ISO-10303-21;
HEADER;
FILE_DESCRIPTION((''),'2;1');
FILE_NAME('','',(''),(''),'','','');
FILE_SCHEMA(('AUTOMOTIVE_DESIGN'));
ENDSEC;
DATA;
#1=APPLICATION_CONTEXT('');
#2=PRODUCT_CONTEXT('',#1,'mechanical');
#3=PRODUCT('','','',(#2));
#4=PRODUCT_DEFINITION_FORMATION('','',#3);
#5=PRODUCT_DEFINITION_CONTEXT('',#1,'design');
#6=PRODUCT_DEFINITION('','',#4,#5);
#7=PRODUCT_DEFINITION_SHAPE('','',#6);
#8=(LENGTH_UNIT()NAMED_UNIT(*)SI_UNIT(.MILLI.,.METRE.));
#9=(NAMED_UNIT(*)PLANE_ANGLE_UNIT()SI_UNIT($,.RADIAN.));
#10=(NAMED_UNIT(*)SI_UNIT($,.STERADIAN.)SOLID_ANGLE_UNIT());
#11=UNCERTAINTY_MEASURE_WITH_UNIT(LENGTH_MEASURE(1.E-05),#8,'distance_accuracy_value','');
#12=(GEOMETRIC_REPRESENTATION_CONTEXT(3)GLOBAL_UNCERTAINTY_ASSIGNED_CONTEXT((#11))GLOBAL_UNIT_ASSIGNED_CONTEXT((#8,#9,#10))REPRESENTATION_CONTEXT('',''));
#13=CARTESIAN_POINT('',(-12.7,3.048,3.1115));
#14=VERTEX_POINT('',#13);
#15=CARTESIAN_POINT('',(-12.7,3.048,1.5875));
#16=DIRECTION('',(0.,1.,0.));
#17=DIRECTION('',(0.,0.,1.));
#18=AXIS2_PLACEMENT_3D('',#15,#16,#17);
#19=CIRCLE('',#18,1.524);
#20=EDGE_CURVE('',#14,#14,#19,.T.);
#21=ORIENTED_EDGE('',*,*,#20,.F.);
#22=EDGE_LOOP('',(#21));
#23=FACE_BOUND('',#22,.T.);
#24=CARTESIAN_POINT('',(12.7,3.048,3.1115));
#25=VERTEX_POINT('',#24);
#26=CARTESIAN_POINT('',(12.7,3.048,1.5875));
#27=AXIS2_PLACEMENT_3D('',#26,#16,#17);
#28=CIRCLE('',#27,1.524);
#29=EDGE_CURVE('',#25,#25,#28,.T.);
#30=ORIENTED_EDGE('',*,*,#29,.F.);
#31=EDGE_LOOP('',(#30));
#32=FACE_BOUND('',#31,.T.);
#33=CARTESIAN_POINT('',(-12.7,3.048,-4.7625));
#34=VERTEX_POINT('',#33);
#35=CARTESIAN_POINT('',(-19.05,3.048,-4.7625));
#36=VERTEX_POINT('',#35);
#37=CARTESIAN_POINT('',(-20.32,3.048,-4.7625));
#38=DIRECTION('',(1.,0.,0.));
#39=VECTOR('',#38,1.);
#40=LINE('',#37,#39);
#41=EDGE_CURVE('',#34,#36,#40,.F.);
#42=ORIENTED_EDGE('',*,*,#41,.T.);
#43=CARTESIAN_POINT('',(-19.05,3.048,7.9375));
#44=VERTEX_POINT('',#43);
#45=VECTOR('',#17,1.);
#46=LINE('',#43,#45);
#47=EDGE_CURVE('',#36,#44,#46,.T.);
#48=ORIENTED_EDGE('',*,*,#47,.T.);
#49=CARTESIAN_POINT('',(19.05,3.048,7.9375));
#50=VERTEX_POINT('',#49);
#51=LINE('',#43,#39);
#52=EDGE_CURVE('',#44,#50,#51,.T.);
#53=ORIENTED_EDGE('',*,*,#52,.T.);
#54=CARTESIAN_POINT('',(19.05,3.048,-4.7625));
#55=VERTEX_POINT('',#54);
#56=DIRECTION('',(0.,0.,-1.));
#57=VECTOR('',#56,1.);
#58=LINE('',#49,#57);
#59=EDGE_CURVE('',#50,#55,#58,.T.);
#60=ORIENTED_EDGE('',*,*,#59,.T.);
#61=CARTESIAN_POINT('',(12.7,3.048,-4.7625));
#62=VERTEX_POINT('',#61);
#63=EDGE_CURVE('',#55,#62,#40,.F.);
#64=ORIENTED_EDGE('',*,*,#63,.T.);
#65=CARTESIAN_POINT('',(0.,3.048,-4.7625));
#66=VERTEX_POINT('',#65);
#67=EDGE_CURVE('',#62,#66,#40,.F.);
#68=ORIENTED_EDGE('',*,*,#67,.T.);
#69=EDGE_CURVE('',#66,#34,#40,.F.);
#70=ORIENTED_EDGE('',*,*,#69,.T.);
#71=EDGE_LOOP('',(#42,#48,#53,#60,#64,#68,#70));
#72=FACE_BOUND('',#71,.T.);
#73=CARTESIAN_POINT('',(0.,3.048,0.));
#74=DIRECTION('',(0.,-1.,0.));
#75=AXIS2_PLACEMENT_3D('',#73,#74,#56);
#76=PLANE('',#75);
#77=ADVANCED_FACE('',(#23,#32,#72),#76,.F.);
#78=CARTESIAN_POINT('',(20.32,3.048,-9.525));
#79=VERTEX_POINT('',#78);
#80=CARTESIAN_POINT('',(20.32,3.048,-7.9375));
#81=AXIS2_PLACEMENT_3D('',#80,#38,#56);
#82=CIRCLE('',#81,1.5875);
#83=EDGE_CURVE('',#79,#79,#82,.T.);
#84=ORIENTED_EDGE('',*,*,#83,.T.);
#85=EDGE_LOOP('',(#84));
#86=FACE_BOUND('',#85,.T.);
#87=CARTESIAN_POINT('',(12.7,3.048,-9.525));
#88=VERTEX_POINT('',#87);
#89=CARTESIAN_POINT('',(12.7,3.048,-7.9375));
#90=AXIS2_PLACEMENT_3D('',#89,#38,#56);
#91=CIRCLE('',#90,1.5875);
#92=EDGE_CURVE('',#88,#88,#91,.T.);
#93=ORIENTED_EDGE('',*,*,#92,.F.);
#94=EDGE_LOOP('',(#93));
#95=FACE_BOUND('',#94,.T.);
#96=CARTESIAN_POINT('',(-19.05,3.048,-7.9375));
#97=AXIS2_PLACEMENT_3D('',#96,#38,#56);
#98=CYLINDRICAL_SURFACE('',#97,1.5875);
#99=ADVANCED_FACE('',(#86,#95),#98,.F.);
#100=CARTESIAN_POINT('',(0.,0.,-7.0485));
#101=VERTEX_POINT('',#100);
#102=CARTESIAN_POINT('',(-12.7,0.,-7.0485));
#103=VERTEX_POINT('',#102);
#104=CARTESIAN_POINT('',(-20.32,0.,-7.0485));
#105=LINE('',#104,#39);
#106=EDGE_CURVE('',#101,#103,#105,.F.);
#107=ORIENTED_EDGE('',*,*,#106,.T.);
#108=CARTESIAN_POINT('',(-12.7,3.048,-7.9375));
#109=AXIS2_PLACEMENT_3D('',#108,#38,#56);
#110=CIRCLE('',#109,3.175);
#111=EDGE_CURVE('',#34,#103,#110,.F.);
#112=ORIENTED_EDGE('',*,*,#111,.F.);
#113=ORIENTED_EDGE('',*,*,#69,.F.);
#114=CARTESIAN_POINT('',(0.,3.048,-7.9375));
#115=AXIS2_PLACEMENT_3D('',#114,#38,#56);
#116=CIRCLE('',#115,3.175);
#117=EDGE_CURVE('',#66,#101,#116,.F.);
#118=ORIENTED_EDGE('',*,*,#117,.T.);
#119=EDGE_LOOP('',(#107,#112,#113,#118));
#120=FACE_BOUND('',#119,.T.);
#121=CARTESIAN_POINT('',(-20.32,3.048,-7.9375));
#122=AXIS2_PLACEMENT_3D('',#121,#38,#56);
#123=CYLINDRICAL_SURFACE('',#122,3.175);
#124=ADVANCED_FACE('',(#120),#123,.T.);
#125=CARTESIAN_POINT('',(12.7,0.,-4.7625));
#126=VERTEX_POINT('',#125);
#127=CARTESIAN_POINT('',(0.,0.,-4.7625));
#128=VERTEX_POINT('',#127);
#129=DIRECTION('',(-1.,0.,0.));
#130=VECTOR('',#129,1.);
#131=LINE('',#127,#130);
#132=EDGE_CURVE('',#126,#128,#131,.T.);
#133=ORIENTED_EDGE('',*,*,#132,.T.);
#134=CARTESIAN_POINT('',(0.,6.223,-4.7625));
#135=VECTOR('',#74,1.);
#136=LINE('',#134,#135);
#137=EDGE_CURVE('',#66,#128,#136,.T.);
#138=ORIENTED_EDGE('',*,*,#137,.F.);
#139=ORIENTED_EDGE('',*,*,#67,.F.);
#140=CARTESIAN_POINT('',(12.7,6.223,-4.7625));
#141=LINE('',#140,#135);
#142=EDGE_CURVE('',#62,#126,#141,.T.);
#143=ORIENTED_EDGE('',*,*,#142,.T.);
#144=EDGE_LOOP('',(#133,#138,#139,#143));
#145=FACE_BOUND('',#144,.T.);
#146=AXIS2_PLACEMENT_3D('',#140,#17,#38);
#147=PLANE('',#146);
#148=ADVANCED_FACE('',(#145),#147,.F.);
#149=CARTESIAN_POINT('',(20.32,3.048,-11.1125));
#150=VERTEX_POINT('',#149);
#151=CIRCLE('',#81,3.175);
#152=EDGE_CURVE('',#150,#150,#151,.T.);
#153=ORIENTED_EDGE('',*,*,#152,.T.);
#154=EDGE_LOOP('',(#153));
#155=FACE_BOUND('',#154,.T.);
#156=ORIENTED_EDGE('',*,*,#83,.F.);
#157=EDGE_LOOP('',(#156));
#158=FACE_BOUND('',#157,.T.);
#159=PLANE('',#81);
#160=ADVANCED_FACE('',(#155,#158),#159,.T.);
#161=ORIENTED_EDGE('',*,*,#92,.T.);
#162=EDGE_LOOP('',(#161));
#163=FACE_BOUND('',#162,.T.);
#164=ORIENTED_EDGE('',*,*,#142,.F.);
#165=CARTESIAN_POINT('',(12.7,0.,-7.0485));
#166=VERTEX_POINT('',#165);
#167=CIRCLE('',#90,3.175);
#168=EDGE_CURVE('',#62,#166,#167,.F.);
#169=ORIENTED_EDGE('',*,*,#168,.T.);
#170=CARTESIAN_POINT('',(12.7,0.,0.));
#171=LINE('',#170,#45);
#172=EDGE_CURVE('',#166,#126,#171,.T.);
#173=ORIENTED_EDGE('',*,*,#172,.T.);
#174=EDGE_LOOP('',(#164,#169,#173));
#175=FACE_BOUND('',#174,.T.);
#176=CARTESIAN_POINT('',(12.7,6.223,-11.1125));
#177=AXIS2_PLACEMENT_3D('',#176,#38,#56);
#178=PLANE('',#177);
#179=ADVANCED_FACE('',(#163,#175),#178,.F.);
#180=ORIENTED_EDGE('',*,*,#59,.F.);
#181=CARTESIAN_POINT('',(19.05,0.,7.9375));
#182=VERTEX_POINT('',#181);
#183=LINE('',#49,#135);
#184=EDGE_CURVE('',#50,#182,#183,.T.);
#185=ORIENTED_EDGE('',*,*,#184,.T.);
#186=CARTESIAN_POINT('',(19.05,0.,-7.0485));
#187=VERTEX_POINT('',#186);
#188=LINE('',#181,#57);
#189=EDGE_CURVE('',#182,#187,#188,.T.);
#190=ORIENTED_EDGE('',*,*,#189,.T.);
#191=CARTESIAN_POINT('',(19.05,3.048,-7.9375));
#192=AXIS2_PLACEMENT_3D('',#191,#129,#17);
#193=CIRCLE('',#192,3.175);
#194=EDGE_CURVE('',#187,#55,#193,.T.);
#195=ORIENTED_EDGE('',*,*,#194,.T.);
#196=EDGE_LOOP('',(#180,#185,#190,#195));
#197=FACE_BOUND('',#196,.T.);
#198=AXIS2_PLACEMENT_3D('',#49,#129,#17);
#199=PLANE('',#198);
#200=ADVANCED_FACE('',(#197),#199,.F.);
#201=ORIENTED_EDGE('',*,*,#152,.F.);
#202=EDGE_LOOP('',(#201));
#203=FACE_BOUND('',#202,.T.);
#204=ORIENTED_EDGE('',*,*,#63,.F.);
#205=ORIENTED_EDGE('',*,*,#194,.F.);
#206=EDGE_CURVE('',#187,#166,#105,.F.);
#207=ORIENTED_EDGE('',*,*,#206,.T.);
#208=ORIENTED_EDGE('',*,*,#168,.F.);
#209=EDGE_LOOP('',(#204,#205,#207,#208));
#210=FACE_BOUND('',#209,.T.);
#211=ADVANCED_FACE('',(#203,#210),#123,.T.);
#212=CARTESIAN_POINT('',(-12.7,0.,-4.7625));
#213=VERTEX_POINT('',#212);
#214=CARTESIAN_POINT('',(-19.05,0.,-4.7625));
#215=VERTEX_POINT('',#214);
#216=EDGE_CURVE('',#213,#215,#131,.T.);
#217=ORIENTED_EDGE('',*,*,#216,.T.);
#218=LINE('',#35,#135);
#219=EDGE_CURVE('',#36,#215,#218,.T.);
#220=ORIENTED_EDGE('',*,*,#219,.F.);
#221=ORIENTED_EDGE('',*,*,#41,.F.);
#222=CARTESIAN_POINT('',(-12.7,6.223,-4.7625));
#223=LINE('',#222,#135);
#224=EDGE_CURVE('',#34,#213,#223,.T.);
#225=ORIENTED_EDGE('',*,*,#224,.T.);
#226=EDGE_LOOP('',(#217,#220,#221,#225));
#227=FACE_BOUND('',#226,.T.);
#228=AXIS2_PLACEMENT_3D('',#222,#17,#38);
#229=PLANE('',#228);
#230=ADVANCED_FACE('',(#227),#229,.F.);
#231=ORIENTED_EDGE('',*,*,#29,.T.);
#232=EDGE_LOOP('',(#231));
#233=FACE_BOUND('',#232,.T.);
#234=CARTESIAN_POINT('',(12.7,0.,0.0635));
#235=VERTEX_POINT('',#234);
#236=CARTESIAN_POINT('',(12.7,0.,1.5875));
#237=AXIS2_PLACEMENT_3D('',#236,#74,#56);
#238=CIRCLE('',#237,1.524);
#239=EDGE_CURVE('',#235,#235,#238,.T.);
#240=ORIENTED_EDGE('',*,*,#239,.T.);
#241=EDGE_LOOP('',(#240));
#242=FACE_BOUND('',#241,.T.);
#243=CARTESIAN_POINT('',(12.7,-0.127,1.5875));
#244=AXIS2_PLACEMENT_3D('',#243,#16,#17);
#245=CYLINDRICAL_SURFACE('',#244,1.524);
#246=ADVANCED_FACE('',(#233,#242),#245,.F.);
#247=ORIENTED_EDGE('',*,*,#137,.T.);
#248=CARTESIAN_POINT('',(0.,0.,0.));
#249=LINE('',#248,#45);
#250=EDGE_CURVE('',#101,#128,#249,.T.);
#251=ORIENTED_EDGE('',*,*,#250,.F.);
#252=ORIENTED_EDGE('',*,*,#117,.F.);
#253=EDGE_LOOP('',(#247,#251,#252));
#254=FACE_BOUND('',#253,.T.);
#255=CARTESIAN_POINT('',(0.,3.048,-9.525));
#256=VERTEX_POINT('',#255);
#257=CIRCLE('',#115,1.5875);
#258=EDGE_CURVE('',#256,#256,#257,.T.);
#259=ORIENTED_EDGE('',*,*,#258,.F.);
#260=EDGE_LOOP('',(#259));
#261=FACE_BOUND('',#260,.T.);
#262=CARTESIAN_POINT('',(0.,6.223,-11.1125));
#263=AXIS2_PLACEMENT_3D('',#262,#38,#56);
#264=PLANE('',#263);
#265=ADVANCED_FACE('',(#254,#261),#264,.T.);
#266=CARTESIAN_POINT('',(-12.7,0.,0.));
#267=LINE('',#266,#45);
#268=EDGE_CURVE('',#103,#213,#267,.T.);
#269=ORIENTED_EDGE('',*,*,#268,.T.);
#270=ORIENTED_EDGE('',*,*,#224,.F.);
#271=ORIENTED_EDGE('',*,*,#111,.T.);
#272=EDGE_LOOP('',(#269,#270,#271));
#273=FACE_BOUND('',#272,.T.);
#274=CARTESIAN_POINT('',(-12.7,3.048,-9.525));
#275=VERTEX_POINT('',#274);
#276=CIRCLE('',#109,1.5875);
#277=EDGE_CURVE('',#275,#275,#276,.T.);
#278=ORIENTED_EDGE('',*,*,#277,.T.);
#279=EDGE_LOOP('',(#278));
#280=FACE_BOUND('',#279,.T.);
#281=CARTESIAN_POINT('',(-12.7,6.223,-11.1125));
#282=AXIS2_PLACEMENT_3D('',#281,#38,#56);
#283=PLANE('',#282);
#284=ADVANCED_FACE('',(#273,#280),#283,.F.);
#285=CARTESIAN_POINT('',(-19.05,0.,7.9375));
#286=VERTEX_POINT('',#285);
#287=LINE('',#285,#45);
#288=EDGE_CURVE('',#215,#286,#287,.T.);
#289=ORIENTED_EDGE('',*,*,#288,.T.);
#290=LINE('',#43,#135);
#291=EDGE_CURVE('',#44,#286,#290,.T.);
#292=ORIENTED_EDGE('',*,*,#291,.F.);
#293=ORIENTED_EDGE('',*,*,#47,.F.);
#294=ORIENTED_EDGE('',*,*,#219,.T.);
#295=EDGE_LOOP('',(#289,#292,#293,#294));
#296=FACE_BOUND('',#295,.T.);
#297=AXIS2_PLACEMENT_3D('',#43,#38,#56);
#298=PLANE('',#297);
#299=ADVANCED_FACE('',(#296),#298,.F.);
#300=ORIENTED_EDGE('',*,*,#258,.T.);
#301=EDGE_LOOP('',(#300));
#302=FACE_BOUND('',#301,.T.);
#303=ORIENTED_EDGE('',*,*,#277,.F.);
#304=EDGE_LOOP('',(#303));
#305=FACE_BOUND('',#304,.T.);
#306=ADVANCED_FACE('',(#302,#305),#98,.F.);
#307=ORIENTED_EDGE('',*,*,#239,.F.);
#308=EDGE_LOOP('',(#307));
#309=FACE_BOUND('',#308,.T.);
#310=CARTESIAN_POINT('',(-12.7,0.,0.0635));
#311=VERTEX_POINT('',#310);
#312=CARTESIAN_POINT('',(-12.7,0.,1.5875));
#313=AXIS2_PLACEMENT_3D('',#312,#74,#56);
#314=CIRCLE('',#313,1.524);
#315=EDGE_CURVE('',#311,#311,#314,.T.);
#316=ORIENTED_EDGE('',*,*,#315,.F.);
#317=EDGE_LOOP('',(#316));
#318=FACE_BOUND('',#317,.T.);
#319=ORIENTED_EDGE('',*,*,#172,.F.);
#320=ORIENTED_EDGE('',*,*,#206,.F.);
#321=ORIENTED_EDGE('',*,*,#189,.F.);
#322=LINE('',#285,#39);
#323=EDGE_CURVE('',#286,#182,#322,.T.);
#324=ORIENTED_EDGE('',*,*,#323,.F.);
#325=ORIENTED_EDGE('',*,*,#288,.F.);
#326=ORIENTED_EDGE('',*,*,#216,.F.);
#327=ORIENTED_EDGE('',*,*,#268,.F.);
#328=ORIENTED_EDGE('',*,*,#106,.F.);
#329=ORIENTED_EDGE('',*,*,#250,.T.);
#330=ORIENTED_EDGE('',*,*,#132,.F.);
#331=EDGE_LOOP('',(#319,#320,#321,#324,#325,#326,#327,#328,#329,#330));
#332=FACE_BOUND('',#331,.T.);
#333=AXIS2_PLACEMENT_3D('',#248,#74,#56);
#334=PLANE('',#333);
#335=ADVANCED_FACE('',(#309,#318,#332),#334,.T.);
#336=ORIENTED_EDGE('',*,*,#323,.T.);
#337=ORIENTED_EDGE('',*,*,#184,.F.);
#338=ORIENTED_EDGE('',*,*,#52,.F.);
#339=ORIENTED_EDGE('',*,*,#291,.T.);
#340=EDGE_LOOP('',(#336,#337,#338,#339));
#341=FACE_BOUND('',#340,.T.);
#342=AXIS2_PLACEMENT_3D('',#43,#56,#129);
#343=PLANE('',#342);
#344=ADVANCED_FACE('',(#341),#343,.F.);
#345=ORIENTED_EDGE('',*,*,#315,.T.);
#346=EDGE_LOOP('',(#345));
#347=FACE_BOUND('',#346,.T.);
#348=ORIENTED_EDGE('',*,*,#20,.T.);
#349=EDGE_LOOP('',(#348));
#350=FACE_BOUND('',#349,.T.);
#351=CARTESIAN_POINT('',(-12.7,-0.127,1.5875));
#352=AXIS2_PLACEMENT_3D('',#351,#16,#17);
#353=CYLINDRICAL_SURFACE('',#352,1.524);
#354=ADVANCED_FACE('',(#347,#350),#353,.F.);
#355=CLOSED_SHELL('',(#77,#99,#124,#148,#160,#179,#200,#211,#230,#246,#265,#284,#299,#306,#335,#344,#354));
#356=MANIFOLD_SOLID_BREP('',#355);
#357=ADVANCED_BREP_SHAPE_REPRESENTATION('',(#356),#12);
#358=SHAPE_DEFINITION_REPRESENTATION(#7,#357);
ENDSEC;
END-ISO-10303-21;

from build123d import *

# Parameters (mm, degrees)
SKETCH1_W                    = 38.1
SKETCH1_H                    = 15.875
BOSS_EXTRUDE1_DEPTH          = 3.048
SKETCH2_R                    = 3.175
BOSS_EXTRUDE2_DEPTH          = 1.27
BOSS_EXTRUDE2_DEPTH_BACK     = 39.37
SKETCH7_W                    = 12.7
SKETCH7_H                    = 6.35
CUT_EXTRUDE_THIN2_DEPTH      = 7.223
CUT_EXTRUDE_THIN2_DEPTH_BACK = 1.127
SKETCH8_R                    = 1.5875
CUT_EXTRUDE2_DEPTH           = 40.37
SKETCH9_R                    = 1.524
CUT_EXTRUDE3_DEPTH           = 4.175


with BuildPart() as part:
    # Sketch1 → Boss-Extrude1 (new body)
    with BuildSketch(Plane(origin=(0, 0, 0), x_dir=(1, 0, 0), z_dir=(0, 1, 0))):
        Rectangle(SKETCH1_W, SKETCH1_H)
    extrude(amount=BOSS_EXTRUDE1_DEPTH)

    # Sketch2 → Boss-Extrude2 (add, two sides)
    with BuildSketch(Plane(origin=(19.05, 0, 0), x_dir=(0, 0, -1), z_dir=(1, 0, 0))) as boss_extrude2_sk:
        with Locations((7.9375, 3.048)):
            Circle(SKETCH2_R)
    extrude(amount=BOSS_EXTRUDE2_DEPTH)
    extrude(boss_extrude2_sk.sketch, amount=-BOSS_EXTRUDE2_DEPTH_BACK)

    # Sketch7 → Cut-Extrude-Thin2 (cut, two sides)
    with BuildSketch(Plane(origin=(0, 0, 0), x_dir=(1, 0, 0), z_dir=(0, 1, 0))) as cut_extrude_thin2_sk:
        with Locations((-19.05, 7.9375)):
            Rectangle(SKETCH7_W, SKETCH7_H)
        with Locations((6.35, 7.9375)):
            Rectangle(SKETCH7_W, SKETCH7_H)
    extrude(amount=CUT_EXTRUDE_THIN2_DEPTH, mode=Mode.SUBTRACT)
    extrude(cut_extrude_thin2_sk.sketch, amount=-CUT_EXTRUDE_THIN2_DEPTH_BACK, mode=Mode.SUBTRACT)

    # Sketch8 → Cut-Extrude2 (cut, through all)
    with BuildSketch(Plane(origin=(20.32, 0, 0), x_dir=(0, 0, -1), z_dir=(1, 0, 0))):
        with Locations((7.9375, 3.048)):
            Circle(SKETCH8_R)
    extrude(amount=-CUT_EXTRUDE2_DEPTH, mode=Mode.SUBTRACT)

    # Sketch9 → Cut-Extrude3 (cut, through all)
    with BuildSketch(Plane(origin=(0, 3.048, 0), x_dir=(1, 0, 0), z_dir=(0, 1, 0))):
        with Locations((-12.7, -1.5875)):
            Circle(SKETCH9_R)
        with Locations((12.7, -1.5875)):
            Circle(SKETCH9_R)
    extrude(amount=-CUT_EXTRUDE3_DEPTH, mode=Mode.SUBTRACT)


solid = part.part
